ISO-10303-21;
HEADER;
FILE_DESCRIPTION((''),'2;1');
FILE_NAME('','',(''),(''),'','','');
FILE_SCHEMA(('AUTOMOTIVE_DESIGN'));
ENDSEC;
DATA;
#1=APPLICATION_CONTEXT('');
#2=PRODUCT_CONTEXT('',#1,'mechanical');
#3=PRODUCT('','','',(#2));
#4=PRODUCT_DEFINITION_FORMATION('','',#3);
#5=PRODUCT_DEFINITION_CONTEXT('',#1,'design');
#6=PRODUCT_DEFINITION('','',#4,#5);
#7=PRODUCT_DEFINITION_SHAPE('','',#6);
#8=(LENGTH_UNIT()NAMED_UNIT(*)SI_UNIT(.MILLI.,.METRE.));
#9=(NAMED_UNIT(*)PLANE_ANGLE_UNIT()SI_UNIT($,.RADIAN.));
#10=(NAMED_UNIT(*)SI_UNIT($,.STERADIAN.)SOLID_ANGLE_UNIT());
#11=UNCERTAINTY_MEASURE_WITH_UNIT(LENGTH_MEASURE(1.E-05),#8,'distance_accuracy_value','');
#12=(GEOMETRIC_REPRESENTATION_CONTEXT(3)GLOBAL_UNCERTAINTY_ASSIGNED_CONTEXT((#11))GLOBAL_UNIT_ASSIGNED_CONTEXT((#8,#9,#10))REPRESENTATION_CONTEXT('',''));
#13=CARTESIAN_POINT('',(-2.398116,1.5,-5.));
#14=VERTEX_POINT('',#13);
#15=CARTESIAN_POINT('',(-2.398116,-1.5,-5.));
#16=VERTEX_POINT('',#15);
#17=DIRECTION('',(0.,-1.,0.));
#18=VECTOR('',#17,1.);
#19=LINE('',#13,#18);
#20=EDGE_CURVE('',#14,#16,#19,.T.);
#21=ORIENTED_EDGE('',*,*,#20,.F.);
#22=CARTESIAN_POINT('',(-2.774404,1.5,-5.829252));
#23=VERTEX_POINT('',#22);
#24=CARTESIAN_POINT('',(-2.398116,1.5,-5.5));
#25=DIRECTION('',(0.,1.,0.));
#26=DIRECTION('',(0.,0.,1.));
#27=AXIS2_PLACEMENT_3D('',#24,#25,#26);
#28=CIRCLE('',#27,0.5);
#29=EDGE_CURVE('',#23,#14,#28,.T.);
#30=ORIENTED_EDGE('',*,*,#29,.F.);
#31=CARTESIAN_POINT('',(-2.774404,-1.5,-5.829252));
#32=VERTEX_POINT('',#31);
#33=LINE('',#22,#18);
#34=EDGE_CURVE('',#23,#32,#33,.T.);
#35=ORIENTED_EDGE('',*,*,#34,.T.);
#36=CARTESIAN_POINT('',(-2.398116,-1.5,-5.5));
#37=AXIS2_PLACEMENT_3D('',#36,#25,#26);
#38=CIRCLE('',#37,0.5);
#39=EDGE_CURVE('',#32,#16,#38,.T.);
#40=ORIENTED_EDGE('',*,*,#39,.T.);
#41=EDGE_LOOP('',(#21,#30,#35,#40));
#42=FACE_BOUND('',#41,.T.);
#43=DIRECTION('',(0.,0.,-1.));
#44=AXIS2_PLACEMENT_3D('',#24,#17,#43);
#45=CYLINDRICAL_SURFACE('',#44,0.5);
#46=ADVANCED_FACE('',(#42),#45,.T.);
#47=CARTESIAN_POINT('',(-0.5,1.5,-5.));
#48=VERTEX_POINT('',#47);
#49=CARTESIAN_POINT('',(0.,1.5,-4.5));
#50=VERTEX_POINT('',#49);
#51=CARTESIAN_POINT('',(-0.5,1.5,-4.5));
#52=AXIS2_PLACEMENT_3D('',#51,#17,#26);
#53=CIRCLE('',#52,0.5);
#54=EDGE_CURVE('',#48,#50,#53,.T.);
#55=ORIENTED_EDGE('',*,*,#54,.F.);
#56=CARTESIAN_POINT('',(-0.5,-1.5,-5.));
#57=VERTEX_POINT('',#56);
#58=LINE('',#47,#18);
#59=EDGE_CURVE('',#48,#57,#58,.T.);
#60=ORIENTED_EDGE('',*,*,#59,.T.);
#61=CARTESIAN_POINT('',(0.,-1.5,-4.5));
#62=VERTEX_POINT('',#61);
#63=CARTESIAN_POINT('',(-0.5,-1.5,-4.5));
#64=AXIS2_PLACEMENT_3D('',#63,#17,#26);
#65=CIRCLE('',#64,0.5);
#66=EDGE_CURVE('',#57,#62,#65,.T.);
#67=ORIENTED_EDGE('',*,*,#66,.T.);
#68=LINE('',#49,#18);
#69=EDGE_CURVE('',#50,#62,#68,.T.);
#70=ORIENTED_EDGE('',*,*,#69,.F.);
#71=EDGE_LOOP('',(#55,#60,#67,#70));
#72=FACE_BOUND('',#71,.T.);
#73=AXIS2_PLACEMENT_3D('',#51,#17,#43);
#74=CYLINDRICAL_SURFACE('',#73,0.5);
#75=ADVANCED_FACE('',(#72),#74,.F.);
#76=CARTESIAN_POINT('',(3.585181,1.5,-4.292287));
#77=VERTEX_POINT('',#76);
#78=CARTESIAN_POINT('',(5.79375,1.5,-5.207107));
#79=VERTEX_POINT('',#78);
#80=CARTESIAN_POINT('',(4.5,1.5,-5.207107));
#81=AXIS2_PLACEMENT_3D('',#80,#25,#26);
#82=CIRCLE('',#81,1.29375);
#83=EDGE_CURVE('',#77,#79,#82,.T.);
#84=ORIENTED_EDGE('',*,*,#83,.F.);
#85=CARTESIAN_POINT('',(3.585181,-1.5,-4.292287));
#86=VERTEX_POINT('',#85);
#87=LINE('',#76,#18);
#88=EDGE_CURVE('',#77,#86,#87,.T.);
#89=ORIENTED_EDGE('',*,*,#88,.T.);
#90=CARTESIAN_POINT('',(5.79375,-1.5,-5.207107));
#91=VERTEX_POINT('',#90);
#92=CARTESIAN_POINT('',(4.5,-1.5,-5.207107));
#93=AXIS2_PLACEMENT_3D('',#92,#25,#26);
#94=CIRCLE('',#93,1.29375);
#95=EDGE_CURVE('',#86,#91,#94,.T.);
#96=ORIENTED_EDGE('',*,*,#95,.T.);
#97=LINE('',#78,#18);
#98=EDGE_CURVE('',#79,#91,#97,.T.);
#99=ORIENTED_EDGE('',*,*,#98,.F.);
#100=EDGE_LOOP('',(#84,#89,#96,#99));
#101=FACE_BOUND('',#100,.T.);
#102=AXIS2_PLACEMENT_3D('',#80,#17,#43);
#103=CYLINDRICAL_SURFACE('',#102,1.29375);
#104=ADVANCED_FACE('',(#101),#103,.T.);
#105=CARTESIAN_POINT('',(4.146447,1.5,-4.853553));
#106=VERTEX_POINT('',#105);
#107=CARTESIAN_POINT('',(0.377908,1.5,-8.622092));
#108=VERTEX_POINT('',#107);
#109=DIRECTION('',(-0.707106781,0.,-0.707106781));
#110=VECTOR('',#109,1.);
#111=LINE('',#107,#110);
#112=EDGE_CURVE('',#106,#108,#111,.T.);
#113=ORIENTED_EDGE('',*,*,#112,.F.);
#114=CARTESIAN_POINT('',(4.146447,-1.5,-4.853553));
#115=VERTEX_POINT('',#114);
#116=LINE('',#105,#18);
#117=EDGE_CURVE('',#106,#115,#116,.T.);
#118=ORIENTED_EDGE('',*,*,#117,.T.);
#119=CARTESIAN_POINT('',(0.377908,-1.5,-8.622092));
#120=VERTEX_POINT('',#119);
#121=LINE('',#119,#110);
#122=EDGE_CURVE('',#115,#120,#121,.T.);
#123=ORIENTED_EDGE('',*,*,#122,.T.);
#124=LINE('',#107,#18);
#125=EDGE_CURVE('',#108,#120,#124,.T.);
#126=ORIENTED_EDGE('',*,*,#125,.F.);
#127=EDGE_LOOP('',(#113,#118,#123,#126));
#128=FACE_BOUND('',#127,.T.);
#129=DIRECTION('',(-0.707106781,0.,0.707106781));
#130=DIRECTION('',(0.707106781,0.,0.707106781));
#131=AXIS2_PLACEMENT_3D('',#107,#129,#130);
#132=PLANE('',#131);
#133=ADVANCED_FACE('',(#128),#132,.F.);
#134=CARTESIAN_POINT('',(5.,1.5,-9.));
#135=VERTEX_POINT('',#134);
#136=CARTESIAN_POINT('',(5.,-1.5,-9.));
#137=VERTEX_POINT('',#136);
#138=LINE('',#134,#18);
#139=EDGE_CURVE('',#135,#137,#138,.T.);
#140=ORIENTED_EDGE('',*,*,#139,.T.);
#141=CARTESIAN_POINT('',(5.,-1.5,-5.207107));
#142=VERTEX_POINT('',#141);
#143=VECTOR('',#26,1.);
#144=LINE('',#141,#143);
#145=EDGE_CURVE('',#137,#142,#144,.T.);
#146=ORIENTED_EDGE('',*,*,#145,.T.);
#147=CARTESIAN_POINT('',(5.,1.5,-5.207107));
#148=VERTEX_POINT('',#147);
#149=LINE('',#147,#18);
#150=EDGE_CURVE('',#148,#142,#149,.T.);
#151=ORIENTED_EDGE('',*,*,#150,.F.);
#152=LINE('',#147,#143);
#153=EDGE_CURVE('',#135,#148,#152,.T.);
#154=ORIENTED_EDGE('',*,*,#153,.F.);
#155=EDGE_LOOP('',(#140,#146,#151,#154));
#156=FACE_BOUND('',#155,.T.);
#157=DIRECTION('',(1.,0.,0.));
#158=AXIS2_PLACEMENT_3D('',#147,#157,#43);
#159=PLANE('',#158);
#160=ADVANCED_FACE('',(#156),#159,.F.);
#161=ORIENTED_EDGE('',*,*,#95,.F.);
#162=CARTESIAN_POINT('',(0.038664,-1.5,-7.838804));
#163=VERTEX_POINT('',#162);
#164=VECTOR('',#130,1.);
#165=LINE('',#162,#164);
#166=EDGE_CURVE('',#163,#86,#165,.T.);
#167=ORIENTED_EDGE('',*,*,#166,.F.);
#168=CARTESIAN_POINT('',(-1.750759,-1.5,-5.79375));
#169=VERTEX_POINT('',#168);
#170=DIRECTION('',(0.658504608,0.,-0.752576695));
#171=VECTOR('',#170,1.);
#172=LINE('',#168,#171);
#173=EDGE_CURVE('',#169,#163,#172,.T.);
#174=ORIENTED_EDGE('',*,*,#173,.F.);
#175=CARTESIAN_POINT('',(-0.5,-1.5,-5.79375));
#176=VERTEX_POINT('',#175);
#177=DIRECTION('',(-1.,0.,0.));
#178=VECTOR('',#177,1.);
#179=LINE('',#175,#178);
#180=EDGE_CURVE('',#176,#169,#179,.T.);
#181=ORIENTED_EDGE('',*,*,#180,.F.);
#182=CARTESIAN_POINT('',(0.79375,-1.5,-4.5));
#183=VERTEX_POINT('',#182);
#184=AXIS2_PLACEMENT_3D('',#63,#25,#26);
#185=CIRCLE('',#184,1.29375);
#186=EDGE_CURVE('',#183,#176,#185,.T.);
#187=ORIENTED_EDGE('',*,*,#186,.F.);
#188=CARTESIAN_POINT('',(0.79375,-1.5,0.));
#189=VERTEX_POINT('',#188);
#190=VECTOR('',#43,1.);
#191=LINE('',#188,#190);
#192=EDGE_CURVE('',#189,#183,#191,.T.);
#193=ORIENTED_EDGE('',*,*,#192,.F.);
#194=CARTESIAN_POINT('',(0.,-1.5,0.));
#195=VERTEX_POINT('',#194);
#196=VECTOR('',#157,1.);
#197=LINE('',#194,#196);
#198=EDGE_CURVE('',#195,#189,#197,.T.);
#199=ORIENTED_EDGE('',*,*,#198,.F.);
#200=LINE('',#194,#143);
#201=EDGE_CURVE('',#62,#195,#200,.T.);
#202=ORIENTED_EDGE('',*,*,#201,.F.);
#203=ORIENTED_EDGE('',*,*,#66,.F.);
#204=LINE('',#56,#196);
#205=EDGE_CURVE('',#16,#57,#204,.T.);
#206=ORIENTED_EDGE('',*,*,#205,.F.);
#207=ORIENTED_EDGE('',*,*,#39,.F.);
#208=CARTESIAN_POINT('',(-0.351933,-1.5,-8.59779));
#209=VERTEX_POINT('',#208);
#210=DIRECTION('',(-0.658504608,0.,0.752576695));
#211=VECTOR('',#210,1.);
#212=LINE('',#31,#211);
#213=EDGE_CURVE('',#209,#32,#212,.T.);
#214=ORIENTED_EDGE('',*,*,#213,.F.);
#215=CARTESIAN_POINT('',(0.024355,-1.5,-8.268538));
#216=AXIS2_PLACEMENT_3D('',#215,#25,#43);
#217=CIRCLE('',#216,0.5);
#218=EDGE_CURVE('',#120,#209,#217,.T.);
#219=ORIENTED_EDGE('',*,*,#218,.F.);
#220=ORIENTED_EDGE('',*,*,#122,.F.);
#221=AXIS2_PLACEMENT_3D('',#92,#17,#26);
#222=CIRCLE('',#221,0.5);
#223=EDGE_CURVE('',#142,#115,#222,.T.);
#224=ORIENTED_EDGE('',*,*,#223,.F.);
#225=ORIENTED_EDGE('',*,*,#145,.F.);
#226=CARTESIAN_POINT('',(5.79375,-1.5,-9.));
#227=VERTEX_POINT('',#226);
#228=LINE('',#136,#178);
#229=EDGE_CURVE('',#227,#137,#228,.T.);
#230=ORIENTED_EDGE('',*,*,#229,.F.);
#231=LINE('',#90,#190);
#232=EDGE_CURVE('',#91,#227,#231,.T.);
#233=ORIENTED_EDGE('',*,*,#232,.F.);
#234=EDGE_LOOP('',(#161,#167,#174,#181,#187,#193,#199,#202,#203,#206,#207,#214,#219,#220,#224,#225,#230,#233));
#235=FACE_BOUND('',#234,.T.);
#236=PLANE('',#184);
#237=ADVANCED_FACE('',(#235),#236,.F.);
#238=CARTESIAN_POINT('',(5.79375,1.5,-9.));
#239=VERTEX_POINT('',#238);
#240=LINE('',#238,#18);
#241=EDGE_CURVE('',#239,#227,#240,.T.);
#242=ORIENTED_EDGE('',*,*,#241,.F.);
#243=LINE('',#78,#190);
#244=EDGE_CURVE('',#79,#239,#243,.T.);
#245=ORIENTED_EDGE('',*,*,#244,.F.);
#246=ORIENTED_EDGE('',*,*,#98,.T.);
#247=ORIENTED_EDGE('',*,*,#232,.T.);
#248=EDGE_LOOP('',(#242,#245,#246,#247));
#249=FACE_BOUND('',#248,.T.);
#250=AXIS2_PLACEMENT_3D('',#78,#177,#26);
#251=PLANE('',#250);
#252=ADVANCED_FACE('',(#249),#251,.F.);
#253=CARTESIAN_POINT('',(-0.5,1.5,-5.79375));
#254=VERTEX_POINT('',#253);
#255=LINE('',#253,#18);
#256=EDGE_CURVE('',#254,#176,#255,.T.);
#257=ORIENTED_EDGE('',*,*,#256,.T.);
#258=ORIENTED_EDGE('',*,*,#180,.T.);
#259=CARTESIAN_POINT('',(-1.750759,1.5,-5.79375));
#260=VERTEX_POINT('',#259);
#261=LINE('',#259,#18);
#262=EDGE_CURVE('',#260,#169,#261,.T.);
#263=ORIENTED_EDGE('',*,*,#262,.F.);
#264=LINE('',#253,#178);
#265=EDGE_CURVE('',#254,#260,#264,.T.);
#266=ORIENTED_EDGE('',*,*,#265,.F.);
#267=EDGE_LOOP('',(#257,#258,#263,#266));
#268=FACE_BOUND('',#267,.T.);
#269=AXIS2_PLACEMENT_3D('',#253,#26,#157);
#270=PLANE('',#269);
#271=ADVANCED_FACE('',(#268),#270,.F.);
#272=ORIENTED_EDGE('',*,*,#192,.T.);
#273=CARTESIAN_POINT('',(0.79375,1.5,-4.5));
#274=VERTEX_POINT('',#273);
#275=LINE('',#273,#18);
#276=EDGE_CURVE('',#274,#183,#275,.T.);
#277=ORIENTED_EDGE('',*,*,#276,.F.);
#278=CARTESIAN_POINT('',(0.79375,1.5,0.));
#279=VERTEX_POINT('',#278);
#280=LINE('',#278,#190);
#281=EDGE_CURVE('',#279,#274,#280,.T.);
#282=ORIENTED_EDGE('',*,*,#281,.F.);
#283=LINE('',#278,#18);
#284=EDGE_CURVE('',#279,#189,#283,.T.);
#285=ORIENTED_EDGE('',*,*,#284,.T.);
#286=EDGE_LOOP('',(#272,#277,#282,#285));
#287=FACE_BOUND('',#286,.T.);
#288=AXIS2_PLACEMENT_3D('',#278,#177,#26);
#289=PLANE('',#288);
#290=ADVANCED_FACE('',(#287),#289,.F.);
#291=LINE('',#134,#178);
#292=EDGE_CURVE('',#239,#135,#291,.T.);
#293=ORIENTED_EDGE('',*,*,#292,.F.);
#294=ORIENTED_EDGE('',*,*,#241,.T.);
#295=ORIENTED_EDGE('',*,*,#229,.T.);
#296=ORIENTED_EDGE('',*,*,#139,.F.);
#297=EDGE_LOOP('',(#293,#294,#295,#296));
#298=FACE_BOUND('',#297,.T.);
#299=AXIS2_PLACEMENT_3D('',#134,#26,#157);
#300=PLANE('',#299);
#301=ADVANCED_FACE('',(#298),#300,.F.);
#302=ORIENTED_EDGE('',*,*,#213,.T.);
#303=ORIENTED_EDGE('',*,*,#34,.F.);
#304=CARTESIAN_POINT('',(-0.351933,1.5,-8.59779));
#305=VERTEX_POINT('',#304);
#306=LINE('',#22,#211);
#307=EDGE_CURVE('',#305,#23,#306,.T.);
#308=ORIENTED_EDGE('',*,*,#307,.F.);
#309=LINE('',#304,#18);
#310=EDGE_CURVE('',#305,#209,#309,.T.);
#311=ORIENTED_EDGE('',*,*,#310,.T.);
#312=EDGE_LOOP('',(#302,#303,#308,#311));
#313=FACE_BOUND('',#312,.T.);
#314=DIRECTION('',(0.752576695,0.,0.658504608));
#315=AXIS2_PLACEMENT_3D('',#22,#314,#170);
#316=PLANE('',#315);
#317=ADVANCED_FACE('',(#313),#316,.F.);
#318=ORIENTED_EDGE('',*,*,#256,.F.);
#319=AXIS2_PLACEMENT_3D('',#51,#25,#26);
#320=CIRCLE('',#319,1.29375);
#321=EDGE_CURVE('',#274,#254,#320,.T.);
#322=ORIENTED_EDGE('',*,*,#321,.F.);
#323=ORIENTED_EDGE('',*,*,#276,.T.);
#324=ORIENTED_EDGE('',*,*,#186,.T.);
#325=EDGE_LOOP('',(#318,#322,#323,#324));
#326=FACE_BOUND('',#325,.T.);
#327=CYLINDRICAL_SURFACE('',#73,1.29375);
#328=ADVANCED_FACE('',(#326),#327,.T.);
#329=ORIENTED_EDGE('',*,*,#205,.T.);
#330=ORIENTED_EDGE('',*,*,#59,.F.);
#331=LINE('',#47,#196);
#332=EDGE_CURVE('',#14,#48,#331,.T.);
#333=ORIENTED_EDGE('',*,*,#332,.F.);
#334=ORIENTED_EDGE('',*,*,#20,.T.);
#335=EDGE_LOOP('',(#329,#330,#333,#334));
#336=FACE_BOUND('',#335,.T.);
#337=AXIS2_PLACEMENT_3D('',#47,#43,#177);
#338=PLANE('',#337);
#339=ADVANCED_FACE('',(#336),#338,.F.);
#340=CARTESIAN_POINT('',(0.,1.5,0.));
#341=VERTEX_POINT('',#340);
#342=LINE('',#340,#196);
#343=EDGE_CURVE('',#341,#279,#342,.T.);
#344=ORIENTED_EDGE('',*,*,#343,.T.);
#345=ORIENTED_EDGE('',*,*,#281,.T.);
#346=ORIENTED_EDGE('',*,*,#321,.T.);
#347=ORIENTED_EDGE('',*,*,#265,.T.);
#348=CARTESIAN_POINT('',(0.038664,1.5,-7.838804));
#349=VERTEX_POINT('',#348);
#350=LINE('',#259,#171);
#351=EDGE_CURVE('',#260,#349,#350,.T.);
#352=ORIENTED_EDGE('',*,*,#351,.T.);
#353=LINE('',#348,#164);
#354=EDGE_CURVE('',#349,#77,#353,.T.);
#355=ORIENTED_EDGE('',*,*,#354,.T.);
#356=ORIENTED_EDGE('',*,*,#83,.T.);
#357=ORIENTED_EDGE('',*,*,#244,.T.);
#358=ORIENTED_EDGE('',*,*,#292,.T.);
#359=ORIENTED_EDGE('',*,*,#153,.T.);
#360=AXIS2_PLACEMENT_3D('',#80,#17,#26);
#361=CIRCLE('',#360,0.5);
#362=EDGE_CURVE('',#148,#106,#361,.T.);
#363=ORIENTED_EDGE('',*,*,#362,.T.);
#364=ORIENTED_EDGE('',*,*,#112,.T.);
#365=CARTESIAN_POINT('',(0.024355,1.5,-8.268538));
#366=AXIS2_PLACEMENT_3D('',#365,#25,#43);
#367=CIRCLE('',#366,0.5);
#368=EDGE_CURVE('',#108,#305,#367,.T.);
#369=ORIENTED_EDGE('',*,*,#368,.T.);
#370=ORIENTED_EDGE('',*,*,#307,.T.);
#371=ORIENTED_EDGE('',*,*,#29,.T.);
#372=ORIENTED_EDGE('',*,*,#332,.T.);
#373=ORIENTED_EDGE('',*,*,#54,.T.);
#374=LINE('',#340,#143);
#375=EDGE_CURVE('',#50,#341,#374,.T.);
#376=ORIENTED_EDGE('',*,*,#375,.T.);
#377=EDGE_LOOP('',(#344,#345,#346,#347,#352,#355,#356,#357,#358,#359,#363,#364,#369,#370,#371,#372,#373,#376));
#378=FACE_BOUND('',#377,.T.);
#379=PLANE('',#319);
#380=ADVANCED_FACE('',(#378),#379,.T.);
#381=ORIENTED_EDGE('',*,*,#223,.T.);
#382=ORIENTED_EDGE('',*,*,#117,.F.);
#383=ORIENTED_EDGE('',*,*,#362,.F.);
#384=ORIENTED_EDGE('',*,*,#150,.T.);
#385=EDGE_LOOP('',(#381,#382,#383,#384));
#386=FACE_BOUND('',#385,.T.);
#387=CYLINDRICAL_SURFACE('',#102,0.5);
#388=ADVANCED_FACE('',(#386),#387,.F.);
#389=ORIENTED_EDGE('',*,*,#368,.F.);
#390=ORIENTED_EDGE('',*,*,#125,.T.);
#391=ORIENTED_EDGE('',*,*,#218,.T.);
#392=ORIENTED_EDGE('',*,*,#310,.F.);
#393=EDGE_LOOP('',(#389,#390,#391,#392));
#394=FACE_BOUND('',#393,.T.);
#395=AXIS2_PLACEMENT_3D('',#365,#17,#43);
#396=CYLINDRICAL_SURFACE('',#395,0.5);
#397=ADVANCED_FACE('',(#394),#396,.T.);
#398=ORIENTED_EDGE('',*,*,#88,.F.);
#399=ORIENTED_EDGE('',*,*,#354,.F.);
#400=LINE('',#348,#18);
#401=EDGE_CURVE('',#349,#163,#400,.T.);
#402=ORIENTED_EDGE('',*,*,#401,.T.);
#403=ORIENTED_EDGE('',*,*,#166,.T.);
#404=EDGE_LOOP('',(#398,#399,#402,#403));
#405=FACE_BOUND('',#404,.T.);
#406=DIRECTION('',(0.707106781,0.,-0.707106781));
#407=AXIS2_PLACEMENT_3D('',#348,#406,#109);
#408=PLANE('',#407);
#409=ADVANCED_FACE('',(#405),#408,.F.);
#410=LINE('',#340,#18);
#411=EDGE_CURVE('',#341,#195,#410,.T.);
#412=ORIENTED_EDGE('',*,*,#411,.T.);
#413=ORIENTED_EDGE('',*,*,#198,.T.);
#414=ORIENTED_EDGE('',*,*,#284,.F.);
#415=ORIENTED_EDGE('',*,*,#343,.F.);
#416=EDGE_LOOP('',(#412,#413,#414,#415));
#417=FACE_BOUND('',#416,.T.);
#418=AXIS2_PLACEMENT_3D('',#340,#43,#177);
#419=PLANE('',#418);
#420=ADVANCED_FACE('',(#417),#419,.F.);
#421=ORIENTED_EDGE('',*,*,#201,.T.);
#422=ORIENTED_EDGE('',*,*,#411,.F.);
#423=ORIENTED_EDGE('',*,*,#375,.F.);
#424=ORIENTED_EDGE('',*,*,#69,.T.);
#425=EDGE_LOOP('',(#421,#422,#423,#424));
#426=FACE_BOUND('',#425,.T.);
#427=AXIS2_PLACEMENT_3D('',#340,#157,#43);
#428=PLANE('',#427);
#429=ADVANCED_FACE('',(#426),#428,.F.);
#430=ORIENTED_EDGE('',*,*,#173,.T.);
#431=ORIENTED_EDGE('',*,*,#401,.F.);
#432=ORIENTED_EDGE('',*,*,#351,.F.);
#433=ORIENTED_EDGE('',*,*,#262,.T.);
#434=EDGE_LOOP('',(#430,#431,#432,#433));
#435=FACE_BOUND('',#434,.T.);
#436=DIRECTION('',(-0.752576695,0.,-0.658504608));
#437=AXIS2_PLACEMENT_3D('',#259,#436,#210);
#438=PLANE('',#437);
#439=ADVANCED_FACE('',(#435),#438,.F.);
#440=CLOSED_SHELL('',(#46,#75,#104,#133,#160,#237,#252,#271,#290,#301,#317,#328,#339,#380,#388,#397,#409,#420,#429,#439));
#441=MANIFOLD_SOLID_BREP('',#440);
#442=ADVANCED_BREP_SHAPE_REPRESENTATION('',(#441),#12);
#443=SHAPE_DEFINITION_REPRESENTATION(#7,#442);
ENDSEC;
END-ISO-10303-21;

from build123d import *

# Parameters (mm, degrees)
BOSS_EXTRUDE2_DEPTH = 1.5


with BuildPart() as part:
    # Sketch8 → Boss-Extrude2 (new, symmetric)
    with BuildSketch(Plane(origin=(0, 0, 0), x_dir=(1, 0, 0), z_dir=(0, 1, 0))):
        with BuildLine():
            Line((0, 0), (0, 4.5))
            ThreePointArc((0, 4.5), (-0.146446609, 4.853553391), (-0.5, 5))
            Line((-0.5, 5), (-2.398115887, 5))
            ThreePointArc((-2.398115887, 5), (-2.853432344, 5.293391859), (-2.774404234, 5.829252304))
            Line((-2.774404234, 5.829252304), (-0.351933318, 8.597790494))
            ThreePointArc((-0.351933318, 8.597790494), (0.007716061, 8.768261258), (0.37790842, 8.62209158))
            Line((0.37790842, 8.62209158), (4.146446609, 4.853553391))
            ThreePointArc((4.146446609, 4.853553391), (4.691341716, 4.745167015), (5, 5.207106781))
            Line((5, 5.207106781), (5, 9))
            Line((5, 9), (5.79375, 9))
            Line((5.79375, 9), (5.79375, 5.207106781))
            ThreePointArc((5.79375, 5.207106781), (4.995096691, 4.011837636), (3.585180602, 4.292287383))
            Line((3.585180602, 4.292287383), (0.038663609, 7.838804376))
            Line((0.038663609, 7.838804376), (-1.75075897, 5.79375))
            Line((-1.75075897, 5.79375), (-0.5, 5.79375))
            ThreePointArc((-0.5, 5.79375), (0.414819398, 5.414819398), (0.79375, 4.5))
            Line((0.79375, 4.5), (0.79375, 0))
            Line((0.79375, 0), (0, 0))
        make_face()
    extrude(amount=BOSS_EXTRUDE2_DEPTH, both=True)


solid = part.part
